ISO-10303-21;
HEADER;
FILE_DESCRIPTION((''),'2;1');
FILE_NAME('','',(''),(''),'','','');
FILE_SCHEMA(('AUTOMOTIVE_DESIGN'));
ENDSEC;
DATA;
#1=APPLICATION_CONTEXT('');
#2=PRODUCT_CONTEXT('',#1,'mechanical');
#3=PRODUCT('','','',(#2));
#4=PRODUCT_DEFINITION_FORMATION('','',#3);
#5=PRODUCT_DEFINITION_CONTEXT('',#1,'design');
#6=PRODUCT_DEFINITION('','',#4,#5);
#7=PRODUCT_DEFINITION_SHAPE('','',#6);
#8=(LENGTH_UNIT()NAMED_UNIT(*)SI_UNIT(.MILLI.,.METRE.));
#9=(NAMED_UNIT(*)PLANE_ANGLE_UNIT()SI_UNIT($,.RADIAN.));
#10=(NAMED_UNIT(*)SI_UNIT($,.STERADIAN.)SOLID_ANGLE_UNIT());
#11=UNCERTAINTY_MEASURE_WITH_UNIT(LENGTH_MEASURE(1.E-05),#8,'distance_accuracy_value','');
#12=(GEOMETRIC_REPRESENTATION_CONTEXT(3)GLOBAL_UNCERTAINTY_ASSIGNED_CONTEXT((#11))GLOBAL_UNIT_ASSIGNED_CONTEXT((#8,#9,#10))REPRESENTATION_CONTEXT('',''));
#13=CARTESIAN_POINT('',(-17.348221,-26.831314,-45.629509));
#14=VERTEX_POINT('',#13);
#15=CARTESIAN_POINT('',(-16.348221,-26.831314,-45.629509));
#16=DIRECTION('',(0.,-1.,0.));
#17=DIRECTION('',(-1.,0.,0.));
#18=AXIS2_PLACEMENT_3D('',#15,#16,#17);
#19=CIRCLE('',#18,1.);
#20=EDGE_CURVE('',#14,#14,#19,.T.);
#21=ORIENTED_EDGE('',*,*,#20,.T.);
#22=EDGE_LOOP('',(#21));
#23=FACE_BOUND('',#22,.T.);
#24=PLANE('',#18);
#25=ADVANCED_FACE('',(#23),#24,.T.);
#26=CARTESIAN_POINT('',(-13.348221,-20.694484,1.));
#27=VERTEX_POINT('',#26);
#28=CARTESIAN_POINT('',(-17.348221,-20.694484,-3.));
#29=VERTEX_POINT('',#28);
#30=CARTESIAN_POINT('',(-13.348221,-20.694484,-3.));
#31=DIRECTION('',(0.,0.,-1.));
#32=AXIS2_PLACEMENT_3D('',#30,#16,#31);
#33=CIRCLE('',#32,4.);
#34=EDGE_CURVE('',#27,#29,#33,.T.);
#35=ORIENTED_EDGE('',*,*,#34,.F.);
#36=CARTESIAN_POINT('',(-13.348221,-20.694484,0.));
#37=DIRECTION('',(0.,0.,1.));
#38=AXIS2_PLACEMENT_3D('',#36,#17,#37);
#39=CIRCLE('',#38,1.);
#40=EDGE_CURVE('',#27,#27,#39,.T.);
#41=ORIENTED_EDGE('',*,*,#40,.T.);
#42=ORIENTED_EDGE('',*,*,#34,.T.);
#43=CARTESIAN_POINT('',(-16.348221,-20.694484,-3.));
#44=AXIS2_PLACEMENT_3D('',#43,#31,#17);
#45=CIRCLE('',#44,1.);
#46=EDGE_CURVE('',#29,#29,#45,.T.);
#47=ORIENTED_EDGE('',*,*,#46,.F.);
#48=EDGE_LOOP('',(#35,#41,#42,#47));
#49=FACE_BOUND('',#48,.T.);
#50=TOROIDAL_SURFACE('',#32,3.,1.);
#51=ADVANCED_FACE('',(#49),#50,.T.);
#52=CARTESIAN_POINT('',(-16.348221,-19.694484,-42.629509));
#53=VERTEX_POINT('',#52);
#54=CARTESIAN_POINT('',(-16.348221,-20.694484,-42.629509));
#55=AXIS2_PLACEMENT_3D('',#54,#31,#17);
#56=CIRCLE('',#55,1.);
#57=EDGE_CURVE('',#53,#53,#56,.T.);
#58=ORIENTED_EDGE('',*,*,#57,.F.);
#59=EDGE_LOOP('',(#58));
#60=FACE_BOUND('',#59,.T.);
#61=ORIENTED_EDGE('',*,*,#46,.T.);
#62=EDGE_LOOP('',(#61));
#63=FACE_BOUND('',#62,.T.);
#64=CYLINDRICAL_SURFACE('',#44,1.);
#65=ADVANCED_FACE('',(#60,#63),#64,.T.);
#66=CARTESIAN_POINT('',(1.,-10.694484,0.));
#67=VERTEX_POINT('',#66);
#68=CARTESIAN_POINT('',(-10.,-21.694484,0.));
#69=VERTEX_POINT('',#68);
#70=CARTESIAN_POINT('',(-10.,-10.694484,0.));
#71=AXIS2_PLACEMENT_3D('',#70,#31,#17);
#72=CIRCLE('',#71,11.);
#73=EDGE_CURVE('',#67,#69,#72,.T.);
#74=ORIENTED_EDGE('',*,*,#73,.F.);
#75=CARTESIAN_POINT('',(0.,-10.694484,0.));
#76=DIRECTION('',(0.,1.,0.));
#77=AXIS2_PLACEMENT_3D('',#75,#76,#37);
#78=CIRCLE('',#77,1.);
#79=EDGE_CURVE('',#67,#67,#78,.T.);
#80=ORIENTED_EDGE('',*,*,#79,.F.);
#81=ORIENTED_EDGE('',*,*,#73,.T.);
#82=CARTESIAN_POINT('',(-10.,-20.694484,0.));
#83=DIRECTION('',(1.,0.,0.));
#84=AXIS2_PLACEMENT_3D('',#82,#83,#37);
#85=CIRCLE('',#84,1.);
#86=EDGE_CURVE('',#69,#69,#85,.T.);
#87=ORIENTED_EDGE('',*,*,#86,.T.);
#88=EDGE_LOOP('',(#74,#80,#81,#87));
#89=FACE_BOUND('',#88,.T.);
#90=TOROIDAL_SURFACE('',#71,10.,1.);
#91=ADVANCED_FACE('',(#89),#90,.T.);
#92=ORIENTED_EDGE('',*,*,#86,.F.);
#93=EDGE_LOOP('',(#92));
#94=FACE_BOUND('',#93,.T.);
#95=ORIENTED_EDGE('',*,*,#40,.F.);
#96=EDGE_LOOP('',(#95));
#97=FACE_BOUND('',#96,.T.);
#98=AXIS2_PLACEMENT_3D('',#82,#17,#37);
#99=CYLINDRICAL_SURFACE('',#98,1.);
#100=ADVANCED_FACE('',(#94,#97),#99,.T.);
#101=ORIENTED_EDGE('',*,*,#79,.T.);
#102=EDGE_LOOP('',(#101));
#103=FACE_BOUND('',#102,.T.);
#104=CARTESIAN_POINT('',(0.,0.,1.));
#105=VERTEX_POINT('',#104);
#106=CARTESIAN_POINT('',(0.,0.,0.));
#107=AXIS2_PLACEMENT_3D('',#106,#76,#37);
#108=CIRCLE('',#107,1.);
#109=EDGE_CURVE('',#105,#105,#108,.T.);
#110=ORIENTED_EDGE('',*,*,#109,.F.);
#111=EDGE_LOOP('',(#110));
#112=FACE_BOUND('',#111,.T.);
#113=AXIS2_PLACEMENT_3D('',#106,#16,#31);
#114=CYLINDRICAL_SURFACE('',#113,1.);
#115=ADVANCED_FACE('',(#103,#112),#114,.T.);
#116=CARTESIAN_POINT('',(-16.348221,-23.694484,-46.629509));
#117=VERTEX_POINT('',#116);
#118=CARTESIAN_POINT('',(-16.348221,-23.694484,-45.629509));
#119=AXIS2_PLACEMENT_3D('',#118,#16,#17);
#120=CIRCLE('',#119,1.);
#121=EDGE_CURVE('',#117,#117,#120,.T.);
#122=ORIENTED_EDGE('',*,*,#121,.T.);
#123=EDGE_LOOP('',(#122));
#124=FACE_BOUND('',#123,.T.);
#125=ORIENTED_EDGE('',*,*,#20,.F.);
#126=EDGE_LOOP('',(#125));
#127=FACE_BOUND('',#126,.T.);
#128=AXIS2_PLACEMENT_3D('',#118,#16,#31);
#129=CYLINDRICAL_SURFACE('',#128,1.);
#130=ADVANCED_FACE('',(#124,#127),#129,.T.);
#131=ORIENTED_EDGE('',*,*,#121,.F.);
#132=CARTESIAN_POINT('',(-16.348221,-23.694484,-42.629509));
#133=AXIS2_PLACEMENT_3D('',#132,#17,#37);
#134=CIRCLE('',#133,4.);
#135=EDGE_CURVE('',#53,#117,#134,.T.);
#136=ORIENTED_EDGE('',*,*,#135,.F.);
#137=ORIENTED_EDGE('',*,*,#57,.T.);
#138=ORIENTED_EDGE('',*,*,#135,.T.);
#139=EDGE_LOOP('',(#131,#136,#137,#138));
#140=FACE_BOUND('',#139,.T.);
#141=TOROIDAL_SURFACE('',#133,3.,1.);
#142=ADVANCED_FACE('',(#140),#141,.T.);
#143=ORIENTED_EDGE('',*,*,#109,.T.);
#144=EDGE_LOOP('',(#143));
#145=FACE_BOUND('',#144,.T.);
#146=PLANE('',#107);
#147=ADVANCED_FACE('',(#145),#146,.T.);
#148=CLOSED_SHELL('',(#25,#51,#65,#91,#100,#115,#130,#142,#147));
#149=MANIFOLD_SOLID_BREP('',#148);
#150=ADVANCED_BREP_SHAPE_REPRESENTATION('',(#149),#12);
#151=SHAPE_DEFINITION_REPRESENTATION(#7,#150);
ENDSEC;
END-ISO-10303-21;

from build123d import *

# Parameters (mm, degrees)
SKETCH3_R = 1
SKETCH4_R = 1
SKETCH6_R = 1


with BuildPart() as part:
    # Sweep1: sweep along a path in Sketch1
    with BuildLine(Plane.XY) as sweep1_path:
        Line((0, 0), (0, -10.694484018))
        ThreePointArc((0, -10.694484018), (-2.928932188, -17.76555183), (-10, -20.694484018))
        Line((-10, -20.694484018), (-12.508437971, -20.694484018))
    # Sketch3 → Sweep1 (sweep)
    with BuildSketch(Plane(origin=(0, 0, 0), x_dir=(1, 0, 0), z_dir=(0, 1, 0))):
        Circle(SKETCH3_R)
    sweep(path=sweep1_path.line)

    # Sweep2: sweep along a path in Sketch2
    with BuildLine(Plane(origin=(0, -20.694484018, 0), x_dir=(1, 0, 0), z_dir=(0, 1, 0))) as sweep2_path:
        Line((-12.508437971, 0), (-13.348220683, 0))
        ThreePointArc((-13.348220683, 0), (-15.469541026, 0.878679656), (-16.348220683, 3))
        Line((-16.348220683, 3), (-16.348220683, 39.916632526))
    # Sketch4 → Sweep2 (sweep)
    with BuildSketch(Plane.ZY.offset(12.508437971)):
        with Locations((0, -20.694484018)):
            Circle(SKETCH4_R)
    sweep(path=sweep2_path.line)

    # Sweep3: sweep along a path in Sketch5
    with BuildLine(Plane(origin=(-16.348220683, 0, 0), x_dir=(0, 0, -1), z_dir=(1, 0, 0))) as sweep3_path:
        Line((39.916632526, -20.694484018), (42.629508897, -20.694484018))
        ThreePointArc((42.629508897, -20.694484018), (44.750829241, -21.573163675), (45.629508897, -23.694484018))
        Line((45.629508897, -23.694484018), (45.629508897, -26.831314156))
    # Sketch6 → Sweep3 (sweep)
    with BuildSketch(Plane(origin=(0, 0, -39.916632526), x_dir=(-1, 0, 0), z_dir=(0, 0, -1))):
        with Locations((16.348220683, -20.694484018)):
            Circle(SKETCH6_R)
    sweep(path=sweep3_path.line)


solid = part.part
